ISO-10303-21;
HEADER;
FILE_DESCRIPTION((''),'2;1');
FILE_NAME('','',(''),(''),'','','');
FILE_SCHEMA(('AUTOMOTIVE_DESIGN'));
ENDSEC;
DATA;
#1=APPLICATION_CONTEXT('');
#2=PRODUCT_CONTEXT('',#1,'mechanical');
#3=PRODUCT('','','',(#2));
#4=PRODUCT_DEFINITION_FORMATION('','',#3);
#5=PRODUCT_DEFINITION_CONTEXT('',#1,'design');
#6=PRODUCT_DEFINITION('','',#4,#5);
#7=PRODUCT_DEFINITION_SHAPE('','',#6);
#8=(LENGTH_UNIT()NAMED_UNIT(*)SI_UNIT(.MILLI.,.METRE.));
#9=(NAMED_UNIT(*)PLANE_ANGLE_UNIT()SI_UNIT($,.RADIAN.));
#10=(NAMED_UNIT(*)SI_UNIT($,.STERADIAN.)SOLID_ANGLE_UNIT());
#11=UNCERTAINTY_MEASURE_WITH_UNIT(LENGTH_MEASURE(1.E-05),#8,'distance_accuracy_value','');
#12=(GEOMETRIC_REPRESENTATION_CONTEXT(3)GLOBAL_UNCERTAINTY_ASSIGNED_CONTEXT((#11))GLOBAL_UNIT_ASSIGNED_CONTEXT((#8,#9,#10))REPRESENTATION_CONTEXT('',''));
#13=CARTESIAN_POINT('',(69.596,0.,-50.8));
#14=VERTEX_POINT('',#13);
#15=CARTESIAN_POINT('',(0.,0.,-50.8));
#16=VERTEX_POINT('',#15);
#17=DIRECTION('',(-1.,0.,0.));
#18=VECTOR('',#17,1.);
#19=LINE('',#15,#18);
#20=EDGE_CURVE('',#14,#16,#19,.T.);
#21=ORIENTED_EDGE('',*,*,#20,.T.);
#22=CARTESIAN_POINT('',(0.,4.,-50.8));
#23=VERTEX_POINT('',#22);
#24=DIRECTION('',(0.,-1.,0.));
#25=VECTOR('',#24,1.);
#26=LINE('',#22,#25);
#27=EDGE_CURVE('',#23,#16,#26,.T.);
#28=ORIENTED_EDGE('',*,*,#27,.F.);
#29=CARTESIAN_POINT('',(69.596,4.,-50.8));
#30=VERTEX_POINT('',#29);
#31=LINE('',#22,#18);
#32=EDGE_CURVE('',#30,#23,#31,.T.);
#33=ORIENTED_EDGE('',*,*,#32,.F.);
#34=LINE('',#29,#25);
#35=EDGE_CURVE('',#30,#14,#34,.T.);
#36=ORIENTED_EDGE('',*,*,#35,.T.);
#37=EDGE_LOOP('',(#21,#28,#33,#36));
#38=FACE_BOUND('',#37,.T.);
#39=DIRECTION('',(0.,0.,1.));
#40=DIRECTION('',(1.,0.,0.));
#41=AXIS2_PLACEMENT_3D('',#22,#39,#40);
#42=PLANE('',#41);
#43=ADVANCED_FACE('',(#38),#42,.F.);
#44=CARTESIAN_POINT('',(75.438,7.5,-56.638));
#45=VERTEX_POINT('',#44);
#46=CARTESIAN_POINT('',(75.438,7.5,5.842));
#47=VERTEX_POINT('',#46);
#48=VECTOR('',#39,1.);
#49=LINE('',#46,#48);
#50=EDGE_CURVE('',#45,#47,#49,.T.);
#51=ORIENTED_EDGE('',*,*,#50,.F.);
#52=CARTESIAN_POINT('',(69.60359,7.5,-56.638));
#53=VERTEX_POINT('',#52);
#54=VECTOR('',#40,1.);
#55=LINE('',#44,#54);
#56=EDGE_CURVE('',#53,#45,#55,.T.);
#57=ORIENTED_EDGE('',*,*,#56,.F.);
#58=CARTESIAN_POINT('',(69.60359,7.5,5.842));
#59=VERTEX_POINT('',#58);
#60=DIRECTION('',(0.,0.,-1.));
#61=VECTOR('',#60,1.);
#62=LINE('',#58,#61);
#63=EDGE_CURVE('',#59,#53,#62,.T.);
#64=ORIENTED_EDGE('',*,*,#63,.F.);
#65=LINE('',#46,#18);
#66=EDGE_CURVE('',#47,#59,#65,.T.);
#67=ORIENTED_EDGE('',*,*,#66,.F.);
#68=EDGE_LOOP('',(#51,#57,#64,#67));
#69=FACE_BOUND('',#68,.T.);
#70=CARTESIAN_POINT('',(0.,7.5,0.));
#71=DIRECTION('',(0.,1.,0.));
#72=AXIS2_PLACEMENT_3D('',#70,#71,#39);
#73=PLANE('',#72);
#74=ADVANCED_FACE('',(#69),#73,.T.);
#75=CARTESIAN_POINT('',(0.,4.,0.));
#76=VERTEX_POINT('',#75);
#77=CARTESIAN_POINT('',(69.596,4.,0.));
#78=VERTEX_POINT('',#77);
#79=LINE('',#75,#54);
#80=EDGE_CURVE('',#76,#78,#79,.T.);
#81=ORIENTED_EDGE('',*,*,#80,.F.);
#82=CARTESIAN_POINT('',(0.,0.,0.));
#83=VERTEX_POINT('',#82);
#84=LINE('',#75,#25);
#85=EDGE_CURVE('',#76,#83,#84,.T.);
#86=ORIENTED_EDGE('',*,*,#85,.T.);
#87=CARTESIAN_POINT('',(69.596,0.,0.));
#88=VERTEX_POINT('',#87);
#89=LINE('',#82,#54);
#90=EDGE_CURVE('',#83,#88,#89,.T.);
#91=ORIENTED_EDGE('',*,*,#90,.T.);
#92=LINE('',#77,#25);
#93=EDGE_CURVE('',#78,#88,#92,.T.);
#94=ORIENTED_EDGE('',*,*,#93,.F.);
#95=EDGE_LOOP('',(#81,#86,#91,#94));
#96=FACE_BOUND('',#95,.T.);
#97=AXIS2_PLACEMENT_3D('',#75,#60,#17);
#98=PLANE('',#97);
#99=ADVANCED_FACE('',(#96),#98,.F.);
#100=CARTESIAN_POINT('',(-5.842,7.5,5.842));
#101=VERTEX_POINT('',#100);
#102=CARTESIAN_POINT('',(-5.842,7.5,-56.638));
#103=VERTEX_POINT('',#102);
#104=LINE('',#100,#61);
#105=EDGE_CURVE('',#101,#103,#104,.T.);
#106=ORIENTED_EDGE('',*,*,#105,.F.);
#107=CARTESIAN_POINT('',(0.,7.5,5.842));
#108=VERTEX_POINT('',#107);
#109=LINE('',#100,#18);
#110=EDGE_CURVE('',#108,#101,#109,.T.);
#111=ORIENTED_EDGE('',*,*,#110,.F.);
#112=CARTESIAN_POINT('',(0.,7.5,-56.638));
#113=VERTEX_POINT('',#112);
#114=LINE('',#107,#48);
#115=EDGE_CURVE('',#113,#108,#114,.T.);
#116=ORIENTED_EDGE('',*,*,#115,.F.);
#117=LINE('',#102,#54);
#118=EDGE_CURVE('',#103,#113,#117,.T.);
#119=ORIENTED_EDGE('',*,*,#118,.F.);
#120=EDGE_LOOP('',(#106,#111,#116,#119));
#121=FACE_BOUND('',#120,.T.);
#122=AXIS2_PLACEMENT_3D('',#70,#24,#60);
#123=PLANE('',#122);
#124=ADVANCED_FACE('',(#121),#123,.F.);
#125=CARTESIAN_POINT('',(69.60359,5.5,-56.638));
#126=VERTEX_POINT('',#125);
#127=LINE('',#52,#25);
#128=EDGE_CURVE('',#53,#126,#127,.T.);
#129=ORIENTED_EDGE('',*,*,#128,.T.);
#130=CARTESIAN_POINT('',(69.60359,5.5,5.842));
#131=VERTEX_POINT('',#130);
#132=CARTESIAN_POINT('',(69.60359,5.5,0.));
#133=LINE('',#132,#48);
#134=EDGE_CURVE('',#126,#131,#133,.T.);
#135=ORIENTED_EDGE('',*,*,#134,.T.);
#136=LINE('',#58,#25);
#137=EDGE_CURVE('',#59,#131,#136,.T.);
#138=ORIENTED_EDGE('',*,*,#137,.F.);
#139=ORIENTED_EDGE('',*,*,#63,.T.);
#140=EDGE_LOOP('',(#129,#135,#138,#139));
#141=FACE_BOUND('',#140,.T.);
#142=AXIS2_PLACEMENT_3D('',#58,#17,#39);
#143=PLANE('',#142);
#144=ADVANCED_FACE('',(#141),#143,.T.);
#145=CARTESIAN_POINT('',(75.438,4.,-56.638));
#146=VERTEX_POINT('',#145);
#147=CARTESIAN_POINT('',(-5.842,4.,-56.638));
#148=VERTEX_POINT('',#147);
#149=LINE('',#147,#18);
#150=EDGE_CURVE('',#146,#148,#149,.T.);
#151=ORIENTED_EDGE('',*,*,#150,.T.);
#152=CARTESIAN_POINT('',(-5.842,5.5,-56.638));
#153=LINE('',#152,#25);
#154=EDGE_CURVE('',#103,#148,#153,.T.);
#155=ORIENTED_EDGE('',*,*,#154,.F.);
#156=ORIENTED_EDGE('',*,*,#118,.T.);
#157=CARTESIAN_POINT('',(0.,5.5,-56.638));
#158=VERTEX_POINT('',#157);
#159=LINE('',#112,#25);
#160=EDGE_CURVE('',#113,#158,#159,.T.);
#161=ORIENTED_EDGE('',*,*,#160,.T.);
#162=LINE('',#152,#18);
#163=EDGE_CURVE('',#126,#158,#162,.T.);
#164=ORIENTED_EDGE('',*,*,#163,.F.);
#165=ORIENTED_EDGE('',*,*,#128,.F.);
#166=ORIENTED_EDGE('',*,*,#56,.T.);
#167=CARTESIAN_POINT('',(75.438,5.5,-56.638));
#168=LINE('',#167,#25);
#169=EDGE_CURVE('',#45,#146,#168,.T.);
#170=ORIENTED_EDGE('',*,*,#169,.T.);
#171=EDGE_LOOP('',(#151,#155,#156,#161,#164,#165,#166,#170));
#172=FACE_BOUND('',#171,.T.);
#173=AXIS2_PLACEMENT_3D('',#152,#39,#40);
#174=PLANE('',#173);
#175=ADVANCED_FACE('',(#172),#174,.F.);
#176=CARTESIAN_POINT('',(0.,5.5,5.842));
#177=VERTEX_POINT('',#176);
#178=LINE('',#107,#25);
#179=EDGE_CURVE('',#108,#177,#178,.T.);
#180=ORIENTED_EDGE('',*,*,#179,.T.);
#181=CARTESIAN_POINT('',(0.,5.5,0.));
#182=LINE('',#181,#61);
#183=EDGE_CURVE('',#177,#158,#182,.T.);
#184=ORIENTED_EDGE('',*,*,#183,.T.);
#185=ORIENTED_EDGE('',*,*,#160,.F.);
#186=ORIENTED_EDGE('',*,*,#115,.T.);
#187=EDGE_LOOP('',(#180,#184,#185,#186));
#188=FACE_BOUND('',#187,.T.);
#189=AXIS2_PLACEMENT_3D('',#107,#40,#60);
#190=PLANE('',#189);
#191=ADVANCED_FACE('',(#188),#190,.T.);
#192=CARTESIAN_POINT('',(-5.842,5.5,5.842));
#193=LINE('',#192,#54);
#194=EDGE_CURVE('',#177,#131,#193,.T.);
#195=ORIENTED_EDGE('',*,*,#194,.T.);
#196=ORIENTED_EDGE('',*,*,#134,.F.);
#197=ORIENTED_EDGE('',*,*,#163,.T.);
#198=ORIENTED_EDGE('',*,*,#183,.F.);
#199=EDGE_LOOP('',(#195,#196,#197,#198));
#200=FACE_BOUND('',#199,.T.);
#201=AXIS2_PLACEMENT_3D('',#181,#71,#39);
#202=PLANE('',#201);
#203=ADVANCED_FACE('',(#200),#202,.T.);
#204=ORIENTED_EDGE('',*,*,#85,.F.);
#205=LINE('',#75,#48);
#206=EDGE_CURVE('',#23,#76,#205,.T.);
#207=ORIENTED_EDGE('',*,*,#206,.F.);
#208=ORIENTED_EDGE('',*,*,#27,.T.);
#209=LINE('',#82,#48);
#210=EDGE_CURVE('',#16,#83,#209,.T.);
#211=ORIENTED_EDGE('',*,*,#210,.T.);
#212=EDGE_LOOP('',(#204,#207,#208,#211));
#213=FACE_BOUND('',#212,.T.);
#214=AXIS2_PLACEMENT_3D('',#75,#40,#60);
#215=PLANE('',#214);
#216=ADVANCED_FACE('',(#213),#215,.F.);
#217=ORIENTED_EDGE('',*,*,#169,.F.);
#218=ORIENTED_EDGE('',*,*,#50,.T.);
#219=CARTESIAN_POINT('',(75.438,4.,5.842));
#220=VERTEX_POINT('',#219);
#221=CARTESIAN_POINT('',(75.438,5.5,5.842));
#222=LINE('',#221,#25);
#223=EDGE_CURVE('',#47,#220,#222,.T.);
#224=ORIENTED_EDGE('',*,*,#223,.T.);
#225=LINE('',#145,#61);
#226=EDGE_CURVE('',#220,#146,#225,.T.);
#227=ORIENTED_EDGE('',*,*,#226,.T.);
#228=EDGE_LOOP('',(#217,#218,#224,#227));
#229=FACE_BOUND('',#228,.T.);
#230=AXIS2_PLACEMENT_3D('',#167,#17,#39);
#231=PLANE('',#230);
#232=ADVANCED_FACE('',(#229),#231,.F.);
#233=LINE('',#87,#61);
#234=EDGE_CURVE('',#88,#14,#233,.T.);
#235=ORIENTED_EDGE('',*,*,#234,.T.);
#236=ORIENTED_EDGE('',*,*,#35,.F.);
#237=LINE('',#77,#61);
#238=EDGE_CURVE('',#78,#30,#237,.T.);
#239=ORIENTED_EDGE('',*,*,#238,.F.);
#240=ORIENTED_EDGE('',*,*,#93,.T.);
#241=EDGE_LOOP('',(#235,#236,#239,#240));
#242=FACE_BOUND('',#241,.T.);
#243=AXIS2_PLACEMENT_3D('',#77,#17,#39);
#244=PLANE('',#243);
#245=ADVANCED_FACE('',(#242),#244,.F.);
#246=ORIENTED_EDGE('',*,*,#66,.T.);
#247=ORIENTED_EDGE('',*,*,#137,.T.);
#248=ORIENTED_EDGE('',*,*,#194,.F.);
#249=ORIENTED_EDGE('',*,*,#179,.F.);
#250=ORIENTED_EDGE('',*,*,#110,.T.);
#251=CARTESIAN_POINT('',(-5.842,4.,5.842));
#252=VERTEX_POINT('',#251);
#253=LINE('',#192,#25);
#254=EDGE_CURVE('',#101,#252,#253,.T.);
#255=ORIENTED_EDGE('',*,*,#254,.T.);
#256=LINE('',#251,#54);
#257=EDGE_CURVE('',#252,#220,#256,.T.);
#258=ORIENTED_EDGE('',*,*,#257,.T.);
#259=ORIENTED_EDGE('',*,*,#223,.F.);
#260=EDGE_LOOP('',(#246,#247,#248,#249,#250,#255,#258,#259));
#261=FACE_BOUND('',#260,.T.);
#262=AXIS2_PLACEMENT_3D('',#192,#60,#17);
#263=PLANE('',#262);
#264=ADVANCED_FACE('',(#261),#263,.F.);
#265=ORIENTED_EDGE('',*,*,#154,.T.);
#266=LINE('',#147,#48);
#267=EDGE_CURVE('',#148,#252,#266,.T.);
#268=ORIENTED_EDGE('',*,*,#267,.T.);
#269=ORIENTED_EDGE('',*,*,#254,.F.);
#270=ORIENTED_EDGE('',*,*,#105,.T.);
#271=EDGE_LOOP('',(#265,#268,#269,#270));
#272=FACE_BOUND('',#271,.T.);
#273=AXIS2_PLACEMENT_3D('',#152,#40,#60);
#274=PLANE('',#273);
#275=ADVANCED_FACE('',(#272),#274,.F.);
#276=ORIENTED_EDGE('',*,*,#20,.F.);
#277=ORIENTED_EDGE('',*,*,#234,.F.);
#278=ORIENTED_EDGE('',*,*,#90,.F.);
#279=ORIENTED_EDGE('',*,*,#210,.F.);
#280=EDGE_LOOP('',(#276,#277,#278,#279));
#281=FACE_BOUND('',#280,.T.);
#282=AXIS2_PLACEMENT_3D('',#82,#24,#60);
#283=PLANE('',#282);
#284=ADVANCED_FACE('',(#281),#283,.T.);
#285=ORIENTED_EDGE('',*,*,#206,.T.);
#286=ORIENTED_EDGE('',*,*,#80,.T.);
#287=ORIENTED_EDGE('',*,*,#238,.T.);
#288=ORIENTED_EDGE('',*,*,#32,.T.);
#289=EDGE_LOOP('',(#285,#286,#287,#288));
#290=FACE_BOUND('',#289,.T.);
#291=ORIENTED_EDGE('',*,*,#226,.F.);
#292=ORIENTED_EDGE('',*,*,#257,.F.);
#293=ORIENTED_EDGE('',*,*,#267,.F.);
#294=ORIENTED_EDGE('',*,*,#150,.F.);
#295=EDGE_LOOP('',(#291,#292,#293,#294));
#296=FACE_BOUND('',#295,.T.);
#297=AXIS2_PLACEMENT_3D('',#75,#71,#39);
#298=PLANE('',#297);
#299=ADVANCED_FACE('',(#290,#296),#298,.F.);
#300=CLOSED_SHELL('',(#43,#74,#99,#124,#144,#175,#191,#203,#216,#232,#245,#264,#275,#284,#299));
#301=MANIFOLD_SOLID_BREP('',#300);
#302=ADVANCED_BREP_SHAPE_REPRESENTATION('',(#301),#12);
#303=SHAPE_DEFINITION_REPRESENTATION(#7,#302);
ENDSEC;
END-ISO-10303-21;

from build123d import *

# Parameters (mm, degrees)
ESQUISSE8_W        = 69.596
ESQUISSE8_H        = 50.8
BOSS_EXTRU_2_DEPTH = 4
ESQUISSE9_W        = 81.28
ESQUISSE9_H        = 62.48
BOSS_EXTRU_3_DEPTH = 1.5
ESQUISSE10_W       = 5.842
ESQUISSE10_H       = 62.48
BOSS_EXTRU_4_DEPTH = 3.5
ESQUISSE11_W       = 5.834410006
ESQUISSE11_H       = 62.48
BOSS_EXTRU_5_DEPTH = 3.5


with BuildPart() as part:
    # Esquisse8 → Boss.-Extru.2 (new body)
    with BuildSketch(Plane(origin=(0, 0, 0), x_dir=(1, 0, 0), z_dir=(0, 1, 0))):
        with Locations((34.798, 25.4)):
            Rectangle(ESQUISSE8_W, ESQUISSE8_H)
    extrude(amount=BOSS_EXTRU_2_DEPTH)

    # Esquisse9 → Boss.-Extru.3 (add)
    with BuildSketch(Plane(origin=(0, 4, 0), x_dir=(1, 0, 0), z_dir=(0, 1, 0))):
        with Locations((34.798, 25.398)):
            Rectangle(ESQUISSE9_W, ESQUISSE9_H)
    extrude(amount=BOSS_EXTRU_3_DEPTH)

    # Esquisse10 → Boss.-Extru.4 (add)
    with BuildSketch(Plane.XZ.offset(-4)):
        with Locations((-2.921, -25.398)):
            Rectangle(ESQUISSE10_W, ESQUISSE10_H)
    extrude(amount=-BOSS_EXTRU_4_DEPTH)

    # Esquisse11 → Boss.-Extru.5 (add)
    with BuildSketch(Plane(origin=(0, 4, 0), x_dir=(-1, 0, 0), z_dir=(0, -1, 0))):
        with Locations((-72.520794997, 25.398)):
            Rectangle(ESQUISSE11_W, ESQUISSE11_H)
    extrude(amount=-BOSS_EXTRU_5_DEPTH)


solid = part.part
